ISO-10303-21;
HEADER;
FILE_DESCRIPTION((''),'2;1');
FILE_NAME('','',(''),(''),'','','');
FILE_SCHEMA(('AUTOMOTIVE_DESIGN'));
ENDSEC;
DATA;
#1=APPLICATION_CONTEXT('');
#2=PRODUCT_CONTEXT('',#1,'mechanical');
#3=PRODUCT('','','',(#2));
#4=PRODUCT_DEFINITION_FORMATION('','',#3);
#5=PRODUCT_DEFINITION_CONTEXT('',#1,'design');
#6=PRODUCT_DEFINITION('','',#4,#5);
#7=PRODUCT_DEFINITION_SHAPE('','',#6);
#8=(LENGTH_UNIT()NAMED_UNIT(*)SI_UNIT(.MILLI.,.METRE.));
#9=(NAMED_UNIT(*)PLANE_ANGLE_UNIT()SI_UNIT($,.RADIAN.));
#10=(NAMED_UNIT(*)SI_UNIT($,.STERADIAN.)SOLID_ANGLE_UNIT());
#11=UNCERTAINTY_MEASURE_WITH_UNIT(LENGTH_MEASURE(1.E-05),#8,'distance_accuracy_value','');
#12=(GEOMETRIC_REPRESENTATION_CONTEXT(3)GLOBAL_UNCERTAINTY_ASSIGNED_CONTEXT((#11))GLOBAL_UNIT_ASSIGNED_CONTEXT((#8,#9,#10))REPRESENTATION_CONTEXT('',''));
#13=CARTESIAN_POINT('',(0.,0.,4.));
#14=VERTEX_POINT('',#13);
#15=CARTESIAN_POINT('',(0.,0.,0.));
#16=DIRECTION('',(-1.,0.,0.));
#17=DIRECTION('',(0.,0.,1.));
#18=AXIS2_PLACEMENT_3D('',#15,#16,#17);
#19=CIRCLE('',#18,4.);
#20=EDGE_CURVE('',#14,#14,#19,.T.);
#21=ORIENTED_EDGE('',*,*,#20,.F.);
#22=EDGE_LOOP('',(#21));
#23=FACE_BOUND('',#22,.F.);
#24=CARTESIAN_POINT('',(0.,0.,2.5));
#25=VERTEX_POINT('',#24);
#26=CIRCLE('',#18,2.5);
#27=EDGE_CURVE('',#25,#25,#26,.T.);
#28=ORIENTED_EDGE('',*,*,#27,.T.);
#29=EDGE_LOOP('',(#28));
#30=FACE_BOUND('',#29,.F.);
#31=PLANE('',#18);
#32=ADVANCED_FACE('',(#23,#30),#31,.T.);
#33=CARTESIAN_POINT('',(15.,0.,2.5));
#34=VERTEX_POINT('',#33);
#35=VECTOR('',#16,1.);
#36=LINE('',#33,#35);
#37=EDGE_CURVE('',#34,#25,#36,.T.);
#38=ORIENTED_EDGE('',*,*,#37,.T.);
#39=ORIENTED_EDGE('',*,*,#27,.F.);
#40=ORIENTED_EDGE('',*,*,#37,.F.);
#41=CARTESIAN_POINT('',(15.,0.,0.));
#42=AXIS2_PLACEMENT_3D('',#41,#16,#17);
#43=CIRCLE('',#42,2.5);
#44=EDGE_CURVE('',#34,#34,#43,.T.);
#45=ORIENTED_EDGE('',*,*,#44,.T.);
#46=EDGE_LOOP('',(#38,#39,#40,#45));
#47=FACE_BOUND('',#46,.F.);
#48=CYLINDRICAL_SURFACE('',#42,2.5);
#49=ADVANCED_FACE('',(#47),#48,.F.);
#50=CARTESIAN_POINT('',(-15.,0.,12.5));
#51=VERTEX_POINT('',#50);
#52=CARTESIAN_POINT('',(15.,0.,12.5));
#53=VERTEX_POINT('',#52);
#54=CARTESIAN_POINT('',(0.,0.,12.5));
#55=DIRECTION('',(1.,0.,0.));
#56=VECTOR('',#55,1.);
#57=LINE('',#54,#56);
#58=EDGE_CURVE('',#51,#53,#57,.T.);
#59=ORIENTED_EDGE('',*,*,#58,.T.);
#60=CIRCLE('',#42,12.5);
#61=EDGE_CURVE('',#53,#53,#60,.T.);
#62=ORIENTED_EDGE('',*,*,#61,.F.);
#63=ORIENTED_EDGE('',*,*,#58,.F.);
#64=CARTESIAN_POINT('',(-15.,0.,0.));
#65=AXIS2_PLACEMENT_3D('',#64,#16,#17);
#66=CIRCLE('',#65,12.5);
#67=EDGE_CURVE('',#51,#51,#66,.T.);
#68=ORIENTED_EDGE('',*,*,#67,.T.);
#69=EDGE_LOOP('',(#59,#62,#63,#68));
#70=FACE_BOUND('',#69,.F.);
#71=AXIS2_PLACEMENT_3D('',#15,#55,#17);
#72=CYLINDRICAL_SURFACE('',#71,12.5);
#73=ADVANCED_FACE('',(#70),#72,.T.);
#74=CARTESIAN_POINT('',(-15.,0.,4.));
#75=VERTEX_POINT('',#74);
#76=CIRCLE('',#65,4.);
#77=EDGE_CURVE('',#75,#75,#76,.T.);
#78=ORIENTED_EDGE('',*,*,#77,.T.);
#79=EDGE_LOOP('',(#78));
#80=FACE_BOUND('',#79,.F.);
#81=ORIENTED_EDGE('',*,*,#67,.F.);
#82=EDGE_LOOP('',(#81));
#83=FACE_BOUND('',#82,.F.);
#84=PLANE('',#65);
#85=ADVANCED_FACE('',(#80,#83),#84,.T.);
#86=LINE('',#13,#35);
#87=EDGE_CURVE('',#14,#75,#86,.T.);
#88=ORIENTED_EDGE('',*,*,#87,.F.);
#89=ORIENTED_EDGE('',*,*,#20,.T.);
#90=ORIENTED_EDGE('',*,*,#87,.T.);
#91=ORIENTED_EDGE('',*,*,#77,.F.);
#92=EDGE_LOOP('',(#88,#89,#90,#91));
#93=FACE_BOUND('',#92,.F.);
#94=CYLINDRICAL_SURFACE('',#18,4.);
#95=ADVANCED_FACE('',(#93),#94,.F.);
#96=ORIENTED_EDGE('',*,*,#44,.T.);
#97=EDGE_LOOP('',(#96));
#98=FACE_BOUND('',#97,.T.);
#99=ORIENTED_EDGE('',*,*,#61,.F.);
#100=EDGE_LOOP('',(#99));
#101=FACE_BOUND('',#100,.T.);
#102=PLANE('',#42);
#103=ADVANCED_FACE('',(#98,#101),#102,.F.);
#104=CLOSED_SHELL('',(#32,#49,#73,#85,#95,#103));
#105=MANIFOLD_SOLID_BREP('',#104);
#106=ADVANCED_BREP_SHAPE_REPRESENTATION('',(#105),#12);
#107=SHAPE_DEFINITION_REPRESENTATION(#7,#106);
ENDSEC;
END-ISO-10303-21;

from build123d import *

# Parameters (mm, degrees)
F0_W = 30
F0_H = 12.5


with BuildPart() as f1:
    # F0 (on Front) → F1 (revolve)
    with BuildSketch(Plane.XZ):
        with Locations((0, 6.25)):
            Rectangle(F0_W, F0_H)
    revolve(axis=Axis((-50.863735, 0, 0), (-1, 0, 0)))

    # F2 (on Front) → F3 (revolve, cut)
    with BuildSketch(Plane.XZ):
        Polygon((-15, 0), (0, 0), (15, 0), (15, 2.5), (0, 2.5), (0, 4), (-15, 4), align=None)
    revolve(axis=Axis((-11.436696, 0, 0), (-1, 0, 0)), mode=Mode.SUBTRACT)


solid = f1.part
